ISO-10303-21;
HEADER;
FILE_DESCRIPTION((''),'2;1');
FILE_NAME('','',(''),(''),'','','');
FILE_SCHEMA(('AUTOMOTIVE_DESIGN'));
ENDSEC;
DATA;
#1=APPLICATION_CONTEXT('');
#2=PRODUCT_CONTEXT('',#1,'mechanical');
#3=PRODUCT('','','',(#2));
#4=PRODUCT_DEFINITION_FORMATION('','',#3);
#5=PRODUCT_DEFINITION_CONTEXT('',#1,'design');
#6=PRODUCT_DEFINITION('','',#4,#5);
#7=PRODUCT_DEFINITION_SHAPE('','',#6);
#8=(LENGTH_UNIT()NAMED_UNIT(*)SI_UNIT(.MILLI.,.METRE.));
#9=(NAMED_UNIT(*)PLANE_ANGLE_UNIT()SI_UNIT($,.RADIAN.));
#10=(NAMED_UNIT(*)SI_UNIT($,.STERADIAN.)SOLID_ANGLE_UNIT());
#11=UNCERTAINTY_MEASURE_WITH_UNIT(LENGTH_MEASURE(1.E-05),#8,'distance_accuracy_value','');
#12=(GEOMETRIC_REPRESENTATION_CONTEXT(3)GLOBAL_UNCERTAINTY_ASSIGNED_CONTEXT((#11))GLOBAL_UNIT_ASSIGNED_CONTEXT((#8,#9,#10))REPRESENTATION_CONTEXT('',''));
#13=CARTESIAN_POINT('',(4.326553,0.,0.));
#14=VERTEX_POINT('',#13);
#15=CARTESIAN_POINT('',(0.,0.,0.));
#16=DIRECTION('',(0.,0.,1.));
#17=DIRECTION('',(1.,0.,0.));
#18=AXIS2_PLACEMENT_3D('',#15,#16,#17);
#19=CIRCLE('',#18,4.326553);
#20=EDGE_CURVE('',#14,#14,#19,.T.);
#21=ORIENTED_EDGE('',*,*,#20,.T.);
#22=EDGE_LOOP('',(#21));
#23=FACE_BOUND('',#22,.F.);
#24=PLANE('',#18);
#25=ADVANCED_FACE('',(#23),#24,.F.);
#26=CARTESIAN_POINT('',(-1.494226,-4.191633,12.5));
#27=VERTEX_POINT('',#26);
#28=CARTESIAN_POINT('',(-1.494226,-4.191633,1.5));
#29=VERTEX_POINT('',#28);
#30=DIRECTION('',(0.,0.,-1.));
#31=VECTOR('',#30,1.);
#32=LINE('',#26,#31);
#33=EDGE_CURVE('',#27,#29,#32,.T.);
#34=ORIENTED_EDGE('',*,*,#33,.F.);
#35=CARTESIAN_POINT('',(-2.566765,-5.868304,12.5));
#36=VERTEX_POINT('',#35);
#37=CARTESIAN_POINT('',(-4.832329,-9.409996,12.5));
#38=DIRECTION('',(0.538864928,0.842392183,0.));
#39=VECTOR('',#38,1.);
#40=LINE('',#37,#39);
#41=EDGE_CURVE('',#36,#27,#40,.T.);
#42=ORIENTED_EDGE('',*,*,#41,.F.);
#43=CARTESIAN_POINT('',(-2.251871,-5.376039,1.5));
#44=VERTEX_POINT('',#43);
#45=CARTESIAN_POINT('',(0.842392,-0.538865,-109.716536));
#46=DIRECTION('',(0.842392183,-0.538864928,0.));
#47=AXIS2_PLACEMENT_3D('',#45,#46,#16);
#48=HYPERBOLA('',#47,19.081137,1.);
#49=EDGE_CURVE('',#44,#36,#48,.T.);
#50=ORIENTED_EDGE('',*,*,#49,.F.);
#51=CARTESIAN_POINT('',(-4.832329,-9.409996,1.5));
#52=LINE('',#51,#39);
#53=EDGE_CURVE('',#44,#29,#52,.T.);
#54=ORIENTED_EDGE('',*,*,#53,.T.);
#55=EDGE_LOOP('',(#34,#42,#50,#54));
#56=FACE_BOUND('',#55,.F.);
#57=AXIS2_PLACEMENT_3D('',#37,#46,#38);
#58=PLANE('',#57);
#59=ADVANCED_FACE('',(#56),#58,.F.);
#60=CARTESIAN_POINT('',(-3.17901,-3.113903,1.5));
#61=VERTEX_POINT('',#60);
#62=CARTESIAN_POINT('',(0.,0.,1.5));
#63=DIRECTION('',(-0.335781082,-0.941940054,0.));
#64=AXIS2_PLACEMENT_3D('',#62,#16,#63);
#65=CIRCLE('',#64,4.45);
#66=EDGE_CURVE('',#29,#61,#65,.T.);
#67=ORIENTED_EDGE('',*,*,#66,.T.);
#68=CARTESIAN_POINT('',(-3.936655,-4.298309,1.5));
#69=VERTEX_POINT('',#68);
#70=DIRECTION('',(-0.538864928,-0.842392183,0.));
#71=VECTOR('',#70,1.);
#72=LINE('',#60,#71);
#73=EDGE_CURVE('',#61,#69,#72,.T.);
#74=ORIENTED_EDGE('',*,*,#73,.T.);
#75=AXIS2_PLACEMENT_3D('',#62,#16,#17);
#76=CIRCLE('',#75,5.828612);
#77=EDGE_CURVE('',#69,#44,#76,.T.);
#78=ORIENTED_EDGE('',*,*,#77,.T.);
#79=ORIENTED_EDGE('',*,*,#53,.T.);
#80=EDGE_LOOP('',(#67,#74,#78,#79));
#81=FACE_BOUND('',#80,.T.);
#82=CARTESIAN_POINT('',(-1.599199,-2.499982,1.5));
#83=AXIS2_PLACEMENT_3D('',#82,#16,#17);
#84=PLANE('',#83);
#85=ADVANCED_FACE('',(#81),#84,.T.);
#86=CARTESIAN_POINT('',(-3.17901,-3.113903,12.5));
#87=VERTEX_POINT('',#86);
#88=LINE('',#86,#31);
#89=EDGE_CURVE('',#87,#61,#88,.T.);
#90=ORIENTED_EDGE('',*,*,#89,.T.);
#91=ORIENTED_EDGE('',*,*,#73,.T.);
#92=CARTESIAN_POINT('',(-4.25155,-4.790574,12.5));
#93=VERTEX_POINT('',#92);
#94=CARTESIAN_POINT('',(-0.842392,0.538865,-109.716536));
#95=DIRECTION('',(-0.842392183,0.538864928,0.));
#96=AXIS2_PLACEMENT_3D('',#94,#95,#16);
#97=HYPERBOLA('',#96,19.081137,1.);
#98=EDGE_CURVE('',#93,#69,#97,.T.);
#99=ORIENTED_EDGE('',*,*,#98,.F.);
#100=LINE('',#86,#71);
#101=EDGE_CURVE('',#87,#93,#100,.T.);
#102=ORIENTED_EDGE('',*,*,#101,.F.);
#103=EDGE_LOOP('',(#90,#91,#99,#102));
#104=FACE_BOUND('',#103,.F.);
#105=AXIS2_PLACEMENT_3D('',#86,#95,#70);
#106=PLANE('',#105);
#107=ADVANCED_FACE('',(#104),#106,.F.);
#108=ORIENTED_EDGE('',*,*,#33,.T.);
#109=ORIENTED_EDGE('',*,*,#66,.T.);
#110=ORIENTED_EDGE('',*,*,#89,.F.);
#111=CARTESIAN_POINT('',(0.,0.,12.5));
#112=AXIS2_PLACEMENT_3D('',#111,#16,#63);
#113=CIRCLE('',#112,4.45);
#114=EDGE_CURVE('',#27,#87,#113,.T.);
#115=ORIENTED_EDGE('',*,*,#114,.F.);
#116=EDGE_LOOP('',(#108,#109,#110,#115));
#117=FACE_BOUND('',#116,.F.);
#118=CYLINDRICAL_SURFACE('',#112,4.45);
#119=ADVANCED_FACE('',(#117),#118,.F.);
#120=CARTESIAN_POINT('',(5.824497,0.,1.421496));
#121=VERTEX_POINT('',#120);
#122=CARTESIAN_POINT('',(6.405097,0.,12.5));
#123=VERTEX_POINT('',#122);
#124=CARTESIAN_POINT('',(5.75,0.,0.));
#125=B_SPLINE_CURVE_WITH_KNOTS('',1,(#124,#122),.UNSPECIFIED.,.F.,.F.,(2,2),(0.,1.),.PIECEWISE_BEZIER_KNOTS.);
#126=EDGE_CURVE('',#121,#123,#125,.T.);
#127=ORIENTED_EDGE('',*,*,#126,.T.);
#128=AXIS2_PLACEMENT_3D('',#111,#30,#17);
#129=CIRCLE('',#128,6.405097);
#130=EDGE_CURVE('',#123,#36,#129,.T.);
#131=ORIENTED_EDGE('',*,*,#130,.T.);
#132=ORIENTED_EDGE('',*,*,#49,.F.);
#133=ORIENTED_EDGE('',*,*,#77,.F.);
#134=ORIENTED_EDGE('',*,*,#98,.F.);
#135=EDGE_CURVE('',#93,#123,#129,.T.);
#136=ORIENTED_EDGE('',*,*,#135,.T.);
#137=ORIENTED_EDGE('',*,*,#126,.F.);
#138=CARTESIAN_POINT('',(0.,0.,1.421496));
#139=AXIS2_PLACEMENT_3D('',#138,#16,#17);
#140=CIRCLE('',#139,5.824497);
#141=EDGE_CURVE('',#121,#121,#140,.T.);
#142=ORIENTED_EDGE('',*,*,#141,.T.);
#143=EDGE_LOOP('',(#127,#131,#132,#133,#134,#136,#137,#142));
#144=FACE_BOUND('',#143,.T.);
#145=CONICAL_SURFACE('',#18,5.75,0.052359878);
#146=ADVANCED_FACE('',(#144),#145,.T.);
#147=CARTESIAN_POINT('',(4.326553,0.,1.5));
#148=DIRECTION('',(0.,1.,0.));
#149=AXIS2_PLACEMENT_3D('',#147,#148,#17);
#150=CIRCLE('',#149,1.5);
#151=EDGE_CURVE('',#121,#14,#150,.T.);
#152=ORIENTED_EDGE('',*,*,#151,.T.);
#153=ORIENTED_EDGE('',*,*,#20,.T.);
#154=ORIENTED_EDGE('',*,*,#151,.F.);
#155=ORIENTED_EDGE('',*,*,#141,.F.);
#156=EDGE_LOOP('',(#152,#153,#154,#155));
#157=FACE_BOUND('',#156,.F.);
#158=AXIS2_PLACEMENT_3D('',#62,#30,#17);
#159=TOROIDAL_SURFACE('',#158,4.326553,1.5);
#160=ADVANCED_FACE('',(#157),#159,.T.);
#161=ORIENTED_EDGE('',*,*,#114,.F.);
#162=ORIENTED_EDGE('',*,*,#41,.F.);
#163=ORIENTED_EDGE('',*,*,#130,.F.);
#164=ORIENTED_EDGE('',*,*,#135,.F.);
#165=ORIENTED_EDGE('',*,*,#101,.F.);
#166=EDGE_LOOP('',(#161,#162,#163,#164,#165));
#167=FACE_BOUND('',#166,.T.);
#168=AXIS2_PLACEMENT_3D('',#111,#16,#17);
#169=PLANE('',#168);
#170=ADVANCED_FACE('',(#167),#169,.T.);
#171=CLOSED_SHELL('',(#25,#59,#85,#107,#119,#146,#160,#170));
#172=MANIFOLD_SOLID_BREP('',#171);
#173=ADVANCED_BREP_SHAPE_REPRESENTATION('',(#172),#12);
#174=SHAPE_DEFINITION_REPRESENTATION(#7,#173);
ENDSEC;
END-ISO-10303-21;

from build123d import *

# Parameters (mm, degrees)
F0_R     = 5.75
F1_DEPTH = 12.5
F1_TAPER = -3
F3_DEPTH = 11
F4_R     = 1.5


with BuildPart() as f1:
    # F0 (on Top) → F1 (new body)
    with BuildSketch(Plane.XY):
        Circle(F0_R)
    extrude(amount=F1_DEPTH, taper=F1_TAPER)

    # F2 (on face) → F3 (cut)
    with BuildSketch(Plane.XY.offset(12.5)):
        with BuildLine():
            Line((-4.8323294905, -9.4099955732), (-1.494225813, -4.1916332401))
            ThreePointArc((-1.494225813, -4.1916332401), (2.3979489295, 3.7486452128), (-3.1790101783, -3.1139033842))
            Line((-3.1790101783, -3.1139033842), (-6.5171138558, -8.3322657173))
            Line((-6.5171138558, -8.3322657173), (-4.8323294905, -9.4099955732))
        make_face()
    extrude(amount=-F3_DEPTH, mode=Mode.SUBTRACT)

    # F4
    f4_edges = [f1.edges().sort_by_distance(p)[0] for p in [
        (-5.75, 0, 0),
    ]]
    fillet(f4_edges, radius=F4_R)


solid = f1.part
